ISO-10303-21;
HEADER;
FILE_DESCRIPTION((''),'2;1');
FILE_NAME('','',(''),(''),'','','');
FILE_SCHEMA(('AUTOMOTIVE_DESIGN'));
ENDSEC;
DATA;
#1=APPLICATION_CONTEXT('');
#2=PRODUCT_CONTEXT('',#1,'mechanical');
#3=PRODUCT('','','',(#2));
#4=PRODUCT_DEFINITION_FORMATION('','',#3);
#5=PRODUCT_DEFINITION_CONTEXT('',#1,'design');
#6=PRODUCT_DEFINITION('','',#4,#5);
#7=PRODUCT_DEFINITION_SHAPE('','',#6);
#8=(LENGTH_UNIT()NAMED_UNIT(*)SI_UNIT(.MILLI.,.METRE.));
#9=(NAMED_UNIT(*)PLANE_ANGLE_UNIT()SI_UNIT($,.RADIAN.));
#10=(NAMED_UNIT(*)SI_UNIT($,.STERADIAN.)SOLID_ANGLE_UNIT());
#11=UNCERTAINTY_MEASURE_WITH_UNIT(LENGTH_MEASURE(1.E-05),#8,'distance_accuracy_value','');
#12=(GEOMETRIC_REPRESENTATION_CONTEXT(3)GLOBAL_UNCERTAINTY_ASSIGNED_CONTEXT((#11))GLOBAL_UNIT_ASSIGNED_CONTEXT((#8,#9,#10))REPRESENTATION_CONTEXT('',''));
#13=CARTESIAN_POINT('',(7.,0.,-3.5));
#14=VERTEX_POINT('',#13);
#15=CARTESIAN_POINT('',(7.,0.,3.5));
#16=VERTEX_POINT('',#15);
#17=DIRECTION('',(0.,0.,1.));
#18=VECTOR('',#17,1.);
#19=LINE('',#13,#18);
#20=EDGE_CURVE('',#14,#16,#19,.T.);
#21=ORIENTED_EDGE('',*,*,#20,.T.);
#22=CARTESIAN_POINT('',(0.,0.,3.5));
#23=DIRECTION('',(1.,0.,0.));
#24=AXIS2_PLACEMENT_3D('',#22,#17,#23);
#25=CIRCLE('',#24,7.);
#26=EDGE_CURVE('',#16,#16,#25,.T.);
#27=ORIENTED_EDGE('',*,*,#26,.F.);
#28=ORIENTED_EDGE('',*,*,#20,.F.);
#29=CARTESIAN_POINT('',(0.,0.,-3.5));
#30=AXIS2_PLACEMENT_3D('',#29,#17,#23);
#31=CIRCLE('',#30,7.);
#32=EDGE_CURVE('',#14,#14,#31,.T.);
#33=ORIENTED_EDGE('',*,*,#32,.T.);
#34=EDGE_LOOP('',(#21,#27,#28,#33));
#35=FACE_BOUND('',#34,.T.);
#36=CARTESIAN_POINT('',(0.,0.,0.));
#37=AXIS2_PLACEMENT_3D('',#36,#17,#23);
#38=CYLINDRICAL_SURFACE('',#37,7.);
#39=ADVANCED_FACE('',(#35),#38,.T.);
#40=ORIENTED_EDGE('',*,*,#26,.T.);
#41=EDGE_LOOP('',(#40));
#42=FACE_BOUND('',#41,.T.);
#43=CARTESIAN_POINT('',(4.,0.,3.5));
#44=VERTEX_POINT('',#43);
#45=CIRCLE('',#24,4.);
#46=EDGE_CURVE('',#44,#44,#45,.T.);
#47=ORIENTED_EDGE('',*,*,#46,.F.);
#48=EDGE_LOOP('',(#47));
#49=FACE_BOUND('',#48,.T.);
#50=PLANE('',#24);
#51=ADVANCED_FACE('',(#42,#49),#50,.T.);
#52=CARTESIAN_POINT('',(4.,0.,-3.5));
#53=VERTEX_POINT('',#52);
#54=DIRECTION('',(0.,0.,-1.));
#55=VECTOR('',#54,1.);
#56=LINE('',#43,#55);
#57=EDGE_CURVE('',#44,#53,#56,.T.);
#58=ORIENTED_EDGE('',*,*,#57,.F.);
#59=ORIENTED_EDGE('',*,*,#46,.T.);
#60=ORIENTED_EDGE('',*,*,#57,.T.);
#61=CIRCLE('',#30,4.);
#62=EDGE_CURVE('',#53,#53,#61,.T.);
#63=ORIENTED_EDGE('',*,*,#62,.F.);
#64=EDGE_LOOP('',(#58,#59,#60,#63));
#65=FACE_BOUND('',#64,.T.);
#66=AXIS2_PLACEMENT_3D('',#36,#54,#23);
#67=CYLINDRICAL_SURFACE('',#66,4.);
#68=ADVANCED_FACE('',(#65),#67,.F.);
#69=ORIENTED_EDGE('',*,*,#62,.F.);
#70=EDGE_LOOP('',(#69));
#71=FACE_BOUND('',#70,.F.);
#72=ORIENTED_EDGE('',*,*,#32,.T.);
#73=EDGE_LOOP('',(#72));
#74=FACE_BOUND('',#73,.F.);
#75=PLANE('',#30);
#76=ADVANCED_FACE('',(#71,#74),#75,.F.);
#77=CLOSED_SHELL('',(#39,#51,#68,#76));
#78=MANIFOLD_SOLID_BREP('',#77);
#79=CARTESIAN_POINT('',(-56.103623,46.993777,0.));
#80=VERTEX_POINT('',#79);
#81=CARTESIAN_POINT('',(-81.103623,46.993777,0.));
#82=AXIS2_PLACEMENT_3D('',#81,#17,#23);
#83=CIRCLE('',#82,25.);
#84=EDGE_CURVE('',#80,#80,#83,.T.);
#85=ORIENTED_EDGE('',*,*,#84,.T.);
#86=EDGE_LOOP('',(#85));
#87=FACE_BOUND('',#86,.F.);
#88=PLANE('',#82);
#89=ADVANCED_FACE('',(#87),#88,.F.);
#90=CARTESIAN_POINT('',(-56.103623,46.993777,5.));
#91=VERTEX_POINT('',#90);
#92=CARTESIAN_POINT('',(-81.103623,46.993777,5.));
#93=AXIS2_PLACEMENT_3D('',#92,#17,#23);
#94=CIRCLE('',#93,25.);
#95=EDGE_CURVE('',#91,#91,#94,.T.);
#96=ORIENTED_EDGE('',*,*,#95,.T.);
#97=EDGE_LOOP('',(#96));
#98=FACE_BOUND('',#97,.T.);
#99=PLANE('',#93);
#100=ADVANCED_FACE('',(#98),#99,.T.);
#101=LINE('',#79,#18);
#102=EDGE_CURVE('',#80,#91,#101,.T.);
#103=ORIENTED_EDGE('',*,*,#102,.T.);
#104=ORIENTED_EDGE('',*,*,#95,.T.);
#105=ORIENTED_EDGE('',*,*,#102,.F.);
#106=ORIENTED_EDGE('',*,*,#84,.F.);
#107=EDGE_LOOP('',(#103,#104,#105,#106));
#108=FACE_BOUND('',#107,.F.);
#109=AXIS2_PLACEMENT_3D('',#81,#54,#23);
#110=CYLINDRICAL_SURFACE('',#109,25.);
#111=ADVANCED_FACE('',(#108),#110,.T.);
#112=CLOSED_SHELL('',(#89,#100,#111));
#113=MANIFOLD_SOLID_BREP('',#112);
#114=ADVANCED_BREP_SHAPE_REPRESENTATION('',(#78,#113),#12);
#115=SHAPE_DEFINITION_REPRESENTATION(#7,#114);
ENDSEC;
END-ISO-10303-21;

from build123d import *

# Parameters (mm, degrees)
F0_R     = 7
F0_R_2   = 4
F1_DEPTH = 3.5
F2_R     = 25
F3_DEPTH = 5


with BuildPart() as f1:
    # F0 (on Top) → F1 (new body, symmetric)
    with BuildSketch(Plane.XY):
        Circle(F0_R)
        Circle(F0_R_2, mode=Mode.SUBTRACT)
    extrude(amount=F1_DEPTH, both=True)


with BuildPart() as f3:
    # F2 (on Top) → F3 (new body)
    with BuildSketch(Plane.XY):
        with Locations((-81.103623, 46.993777)):
            Circle(F2_R)
    extrude(amount=F3_DEPTH)


solid = Compound([f1.part, f3.part])
